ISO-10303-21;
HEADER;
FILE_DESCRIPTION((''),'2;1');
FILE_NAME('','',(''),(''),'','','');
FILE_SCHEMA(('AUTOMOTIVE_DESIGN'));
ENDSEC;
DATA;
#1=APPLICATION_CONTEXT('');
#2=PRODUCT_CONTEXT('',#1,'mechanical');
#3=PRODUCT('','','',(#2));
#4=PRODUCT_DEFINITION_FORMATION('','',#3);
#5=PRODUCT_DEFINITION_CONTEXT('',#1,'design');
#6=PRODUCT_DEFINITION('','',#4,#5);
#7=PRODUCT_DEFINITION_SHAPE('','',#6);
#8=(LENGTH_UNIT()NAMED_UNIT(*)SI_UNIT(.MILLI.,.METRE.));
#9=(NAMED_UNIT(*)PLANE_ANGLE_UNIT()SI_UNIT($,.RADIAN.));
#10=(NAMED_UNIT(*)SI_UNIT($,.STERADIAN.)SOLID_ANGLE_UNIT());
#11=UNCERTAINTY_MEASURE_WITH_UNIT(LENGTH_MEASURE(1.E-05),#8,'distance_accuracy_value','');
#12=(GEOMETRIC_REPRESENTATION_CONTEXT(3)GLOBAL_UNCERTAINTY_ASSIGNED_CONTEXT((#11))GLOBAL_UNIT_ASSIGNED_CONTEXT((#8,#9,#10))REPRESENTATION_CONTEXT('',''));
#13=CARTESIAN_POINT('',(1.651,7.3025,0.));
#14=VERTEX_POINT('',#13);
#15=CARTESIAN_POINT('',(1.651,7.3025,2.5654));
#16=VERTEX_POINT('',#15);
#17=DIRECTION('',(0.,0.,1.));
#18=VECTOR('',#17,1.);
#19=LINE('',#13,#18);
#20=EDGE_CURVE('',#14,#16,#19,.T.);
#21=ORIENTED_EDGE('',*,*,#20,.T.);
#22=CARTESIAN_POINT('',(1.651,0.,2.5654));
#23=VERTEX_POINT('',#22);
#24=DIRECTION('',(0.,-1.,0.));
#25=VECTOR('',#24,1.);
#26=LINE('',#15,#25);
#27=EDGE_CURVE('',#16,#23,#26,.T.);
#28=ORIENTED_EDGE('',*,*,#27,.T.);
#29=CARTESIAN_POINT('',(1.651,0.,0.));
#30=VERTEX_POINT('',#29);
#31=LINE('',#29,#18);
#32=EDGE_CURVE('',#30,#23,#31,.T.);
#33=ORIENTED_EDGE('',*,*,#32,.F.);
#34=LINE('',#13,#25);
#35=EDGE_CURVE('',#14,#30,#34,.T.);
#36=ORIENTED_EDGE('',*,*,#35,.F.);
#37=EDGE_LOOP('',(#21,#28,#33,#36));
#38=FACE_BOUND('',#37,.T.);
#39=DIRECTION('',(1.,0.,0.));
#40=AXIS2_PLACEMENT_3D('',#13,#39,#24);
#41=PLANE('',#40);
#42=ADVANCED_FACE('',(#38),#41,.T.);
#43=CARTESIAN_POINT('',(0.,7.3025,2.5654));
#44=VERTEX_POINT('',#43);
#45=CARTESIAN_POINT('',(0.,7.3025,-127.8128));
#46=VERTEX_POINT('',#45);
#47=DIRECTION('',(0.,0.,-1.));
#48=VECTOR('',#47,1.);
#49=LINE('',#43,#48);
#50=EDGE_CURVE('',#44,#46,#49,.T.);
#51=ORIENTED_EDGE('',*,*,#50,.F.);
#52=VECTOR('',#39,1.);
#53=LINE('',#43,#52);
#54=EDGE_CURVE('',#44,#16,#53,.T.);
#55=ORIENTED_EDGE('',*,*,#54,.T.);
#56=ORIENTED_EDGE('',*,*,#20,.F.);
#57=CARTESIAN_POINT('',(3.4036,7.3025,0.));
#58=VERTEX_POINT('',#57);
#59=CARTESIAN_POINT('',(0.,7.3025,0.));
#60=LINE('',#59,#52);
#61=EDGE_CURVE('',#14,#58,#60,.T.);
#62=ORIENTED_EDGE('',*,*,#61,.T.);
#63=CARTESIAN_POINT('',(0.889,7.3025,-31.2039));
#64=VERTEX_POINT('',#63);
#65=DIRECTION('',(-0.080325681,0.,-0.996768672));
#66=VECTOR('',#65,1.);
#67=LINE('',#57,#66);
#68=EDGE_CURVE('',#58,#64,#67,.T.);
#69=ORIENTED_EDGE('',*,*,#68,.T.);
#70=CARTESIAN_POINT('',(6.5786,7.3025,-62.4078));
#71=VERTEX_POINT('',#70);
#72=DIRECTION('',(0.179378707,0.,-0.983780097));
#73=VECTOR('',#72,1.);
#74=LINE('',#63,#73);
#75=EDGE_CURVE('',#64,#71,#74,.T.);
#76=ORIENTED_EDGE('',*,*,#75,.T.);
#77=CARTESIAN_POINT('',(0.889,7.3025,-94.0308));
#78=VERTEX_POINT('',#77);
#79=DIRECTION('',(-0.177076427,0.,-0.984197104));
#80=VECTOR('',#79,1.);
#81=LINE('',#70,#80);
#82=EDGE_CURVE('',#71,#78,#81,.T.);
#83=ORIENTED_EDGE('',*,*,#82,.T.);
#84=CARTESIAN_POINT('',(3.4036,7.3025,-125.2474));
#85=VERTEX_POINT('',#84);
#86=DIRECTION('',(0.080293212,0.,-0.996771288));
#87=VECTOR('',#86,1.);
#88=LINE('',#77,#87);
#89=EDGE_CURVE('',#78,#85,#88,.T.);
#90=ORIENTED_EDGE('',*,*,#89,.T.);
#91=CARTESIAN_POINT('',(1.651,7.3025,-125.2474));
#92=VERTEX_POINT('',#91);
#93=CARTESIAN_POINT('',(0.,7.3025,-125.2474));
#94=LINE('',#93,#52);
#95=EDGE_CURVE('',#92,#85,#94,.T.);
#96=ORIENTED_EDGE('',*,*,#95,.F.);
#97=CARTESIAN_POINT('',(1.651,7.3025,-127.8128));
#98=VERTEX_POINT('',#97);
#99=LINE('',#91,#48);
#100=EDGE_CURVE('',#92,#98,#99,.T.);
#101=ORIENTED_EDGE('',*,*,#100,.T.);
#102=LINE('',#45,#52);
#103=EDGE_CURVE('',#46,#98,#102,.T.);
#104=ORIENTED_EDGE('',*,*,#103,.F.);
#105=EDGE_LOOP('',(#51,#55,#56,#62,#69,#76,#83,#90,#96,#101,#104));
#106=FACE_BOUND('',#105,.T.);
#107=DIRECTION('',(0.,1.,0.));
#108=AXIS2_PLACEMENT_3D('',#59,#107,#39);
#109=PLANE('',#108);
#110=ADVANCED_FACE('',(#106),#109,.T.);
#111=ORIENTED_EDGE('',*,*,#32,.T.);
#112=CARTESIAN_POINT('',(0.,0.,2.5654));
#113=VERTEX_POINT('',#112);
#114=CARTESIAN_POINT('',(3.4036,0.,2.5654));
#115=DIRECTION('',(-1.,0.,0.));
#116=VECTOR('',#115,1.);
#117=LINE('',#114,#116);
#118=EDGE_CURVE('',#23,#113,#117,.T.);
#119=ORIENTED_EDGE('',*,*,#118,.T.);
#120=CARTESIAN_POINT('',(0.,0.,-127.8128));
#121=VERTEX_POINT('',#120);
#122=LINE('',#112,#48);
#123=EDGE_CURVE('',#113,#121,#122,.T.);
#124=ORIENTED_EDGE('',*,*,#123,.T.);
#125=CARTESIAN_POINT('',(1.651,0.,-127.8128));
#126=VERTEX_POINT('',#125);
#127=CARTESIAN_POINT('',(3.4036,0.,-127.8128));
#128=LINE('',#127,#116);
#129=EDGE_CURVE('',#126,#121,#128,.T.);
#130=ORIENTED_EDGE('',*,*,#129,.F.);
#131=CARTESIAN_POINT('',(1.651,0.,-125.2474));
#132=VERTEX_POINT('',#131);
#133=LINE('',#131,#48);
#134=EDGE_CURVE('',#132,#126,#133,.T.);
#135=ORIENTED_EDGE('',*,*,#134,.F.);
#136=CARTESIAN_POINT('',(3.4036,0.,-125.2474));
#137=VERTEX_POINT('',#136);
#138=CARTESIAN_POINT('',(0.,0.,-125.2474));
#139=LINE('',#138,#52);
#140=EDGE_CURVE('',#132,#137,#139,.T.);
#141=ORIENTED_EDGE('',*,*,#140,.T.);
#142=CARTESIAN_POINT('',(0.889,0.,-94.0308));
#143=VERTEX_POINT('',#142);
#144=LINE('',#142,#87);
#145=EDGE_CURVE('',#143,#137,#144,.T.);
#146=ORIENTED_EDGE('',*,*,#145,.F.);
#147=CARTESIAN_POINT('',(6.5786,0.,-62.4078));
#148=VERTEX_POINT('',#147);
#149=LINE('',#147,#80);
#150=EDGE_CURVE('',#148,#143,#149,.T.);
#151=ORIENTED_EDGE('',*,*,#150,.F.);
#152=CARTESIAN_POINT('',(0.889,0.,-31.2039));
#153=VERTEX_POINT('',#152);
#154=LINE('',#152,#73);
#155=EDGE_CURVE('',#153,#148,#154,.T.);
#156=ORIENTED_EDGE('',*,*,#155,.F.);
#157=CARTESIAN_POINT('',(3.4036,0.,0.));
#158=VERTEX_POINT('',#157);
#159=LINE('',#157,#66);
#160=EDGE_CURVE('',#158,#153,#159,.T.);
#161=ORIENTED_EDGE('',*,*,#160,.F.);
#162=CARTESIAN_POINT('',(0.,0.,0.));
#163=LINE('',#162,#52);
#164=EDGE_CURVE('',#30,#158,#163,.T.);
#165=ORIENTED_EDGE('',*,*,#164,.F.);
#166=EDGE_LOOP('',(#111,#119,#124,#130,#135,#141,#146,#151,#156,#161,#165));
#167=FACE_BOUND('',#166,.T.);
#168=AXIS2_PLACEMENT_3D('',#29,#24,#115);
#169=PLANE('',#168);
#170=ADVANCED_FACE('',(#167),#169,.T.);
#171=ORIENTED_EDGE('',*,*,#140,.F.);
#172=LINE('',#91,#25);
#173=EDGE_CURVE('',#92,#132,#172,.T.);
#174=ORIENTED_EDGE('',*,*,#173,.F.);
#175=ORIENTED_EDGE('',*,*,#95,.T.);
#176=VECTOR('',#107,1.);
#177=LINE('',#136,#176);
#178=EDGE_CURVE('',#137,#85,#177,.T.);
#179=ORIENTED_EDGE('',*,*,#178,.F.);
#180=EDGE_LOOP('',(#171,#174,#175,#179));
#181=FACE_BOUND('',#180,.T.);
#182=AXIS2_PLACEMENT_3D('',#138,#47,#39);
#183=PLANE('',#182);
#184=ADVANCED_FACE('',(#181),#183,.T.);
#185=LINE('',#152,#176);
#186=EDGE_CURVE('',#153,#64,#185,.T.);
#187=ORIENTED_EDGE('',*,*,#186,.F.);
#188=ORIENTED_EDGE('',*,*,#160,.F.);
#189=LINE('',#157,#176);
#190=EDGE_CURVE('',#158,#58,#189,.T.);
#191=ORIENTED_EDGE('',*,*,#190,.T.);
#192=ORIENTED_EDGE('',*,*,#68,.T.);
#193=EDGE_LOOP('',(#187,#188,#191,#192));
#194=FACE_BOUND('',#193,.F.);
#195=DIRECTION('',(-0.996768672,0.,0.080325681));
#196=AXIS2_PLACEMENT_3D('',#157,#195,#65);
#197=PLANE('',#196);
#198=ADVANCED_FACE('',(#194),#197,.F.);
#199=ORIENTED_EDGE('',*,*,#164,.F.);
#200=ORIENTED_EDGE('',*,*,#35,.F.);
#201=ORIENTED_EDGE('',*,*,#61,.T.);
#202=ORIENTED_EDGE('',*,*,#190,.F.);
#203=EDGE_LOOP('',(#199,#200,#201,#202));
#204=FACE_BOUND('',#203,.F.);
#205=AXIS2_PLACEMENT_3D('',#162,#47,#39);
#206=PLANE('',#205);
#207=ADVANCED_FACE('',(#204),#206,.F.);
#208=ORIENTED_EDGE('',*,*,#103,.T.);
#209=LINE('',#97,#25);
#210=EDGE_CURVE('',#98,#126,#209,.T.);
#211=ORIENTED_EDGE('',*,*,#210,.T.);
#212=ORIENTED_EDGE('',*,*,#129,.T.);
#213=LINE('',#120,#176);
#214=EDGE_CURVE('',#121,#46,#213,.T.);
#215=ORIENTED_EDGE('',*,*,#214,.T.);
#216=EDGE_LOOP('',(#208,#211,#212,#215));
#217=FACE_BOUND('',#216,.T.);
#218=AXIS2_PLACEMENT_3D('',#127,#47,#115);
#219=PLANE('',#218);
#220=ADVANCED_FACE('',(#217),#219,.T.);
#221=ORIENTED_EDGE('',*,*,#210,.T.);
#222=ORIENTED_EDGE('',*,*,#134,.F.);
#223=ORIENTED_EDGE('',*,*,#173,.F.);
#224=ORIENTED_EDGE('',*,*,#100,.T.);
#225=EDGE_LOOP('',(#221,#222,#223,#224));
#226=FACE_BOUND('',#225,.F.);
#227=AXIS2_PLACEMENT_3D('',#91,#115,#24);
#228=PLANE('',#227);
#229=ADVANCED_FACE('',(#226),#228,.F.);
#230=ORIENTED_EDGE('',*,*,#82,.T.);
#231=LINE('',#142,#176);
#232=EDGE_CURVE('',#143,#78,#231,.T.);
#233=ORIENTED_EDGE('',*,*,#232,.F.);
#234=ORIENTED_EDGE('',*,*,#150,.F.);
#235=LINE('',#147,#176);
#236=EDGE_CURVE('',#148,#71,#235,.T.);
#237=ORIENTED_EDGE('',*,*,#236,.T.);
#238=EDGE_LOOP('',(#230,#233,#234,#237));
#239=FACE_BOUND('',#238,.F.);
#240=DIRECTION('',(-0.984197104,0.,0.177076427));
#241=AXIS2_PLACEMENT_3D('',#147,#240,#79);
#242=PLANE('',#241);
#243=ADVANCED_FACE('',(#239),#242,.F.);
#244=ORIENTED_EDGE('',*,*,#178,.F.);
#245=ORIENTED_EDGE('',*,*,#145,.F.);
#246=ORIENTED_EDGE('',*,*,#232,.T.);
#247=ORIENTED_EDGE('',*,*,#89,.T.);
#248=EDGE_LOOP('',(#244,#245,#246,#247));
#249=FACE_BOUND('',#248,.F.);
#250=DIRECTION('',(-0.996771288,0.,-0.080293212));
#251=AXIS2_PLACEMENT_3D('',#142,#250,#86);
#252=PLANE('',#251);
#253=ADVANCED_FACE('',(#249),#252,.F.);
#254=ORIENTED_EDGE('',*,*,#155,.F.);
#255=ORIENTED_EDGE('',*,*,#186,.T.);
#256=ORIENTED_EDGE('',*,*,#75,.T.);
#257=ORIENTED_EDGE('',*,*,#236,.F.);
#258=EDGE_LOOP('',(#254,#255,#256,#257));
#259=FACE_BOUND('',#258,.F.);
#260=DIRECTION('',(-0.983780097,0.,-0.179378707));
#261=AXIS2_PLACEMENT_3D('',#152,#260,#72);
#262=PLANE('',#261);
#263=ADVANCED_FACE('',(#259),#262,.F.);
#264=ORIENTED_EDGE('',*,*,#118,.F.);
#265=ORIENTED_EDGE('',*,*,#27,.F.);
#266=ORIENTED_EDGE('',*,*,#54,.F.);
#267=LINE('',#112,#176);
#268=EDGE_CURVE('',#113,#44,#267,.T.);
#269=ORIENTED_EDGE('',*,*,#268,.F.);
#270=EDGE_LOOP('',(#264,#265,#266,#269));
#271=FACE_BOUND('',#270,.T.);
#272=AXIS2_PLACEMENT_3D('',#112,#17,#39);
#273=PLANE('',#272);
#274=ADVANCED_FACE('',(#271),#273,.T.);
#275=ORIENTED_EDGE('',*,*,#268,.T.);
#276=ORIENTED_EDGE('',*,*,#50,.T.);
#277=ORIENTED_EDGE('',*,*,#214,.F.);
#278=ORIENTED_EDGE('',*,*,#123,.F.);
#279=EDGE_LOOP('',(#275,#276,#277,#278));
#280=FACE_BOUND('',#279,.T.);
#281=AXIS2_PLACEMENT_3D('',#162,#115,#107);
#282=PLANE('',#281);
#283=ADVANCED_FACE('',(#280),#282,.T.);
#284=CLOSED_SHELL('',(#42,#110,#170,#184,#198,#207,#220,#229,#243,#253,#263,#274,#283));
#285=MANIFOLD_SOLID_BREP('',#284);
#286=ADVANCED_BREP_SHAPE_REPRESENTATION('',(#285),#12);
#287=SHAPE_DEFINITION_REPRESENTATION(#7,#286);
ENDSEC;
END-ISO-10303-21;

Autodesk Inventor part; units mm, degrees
ref_plane "YZ Plane" through (0, 0, 0) normal (1, 0, 0) x (0, 1, 0)
ref_plane "XZ Plane" through (0, 0, 0) normal (0, 1, 0) x (-1, 0, 0)
ref_plane "XY Plane" through (0, 0, 0) normal (0, 0, 1) x (1, 0, 0)
sketch "Sketch1" plane through (0, 0, 0) normal (0, 1, 0) x (-1, 0, 0)
  line L0 (0, 0) -> (0, -125.2474)
  line L1 (0, -125.2474) -> (-3.4036, -125.2474)
  line L2 (0, 0) -> (-3.4036, 0)
  line L3 (-3.4036, 0) -> (-0.889, -31.2039)
  line L4 (-0.889, -31.2039) -> (-6.5786, -62.4078)
  line L5 (-6.5786, -62.4078) -> (-0.889, -94.0308)
  line L6 (-0.889, -94.0308) -> (-3.4036, -125.2474)
  dimension "d0" = 125.2474
  dimension "d1" = 3.4036
  dimension "d2" = 3.4036
  dimension "d3" = 31.2039
  dimension "d4" = 62.4078
  dimension "d5" = 31.2166
  dimension "d15" = 6.5786
  dimension "d16" = 0.889
  dimension "d17" = 0.889
extrude "Extrusion1" add sketch "Sketch1" along normal blind 7.3025
sketch "Sketch2" plane through (0, 0, 0) normal (0, 0, 1) x (1, 0, 0)
  line L0 (3.4036, 0) -> (0, 0) projected
  line L1 (0, 7.3025) -> (1.651, 7.3025)
  line L2 (1.651, 7.3025) -> (1.651, 0)
  line L3 (1.651, 0) -> (0, 0)
  line L4 (0, 0) -> (0, 7.3025)
  dimension "d8" = 1.651
sketch "Sketch3" plane through (3.4036, 0, -125.2474) normal (0, 0, -1) x (-1, 0, 0)
  line L0 (3.4036, 0) -> (3.4036, 7.3025) projected
  line L1 (0, 0) -> (3.4036, 0) projected
  line L2 (3.4036, 7.3025) -> (1.7526, 7.3025)
  line L3 (1.7526, 7.3025) -> (1.7526, 0)
  line L4 (1.7526, 0) -> (3.4036, 0)
  line L5 (3.4036, 0) -> (3.4036, 7.3025)
  dimension "d9" = 1.651
extrude "Extrusion2" add sketch "Sketch3" along normal blind 2.5654
extrude "Extrusion3" add sketch "Sketch2" along normal blind 2.5654
properties part number "long_insert_inv"
